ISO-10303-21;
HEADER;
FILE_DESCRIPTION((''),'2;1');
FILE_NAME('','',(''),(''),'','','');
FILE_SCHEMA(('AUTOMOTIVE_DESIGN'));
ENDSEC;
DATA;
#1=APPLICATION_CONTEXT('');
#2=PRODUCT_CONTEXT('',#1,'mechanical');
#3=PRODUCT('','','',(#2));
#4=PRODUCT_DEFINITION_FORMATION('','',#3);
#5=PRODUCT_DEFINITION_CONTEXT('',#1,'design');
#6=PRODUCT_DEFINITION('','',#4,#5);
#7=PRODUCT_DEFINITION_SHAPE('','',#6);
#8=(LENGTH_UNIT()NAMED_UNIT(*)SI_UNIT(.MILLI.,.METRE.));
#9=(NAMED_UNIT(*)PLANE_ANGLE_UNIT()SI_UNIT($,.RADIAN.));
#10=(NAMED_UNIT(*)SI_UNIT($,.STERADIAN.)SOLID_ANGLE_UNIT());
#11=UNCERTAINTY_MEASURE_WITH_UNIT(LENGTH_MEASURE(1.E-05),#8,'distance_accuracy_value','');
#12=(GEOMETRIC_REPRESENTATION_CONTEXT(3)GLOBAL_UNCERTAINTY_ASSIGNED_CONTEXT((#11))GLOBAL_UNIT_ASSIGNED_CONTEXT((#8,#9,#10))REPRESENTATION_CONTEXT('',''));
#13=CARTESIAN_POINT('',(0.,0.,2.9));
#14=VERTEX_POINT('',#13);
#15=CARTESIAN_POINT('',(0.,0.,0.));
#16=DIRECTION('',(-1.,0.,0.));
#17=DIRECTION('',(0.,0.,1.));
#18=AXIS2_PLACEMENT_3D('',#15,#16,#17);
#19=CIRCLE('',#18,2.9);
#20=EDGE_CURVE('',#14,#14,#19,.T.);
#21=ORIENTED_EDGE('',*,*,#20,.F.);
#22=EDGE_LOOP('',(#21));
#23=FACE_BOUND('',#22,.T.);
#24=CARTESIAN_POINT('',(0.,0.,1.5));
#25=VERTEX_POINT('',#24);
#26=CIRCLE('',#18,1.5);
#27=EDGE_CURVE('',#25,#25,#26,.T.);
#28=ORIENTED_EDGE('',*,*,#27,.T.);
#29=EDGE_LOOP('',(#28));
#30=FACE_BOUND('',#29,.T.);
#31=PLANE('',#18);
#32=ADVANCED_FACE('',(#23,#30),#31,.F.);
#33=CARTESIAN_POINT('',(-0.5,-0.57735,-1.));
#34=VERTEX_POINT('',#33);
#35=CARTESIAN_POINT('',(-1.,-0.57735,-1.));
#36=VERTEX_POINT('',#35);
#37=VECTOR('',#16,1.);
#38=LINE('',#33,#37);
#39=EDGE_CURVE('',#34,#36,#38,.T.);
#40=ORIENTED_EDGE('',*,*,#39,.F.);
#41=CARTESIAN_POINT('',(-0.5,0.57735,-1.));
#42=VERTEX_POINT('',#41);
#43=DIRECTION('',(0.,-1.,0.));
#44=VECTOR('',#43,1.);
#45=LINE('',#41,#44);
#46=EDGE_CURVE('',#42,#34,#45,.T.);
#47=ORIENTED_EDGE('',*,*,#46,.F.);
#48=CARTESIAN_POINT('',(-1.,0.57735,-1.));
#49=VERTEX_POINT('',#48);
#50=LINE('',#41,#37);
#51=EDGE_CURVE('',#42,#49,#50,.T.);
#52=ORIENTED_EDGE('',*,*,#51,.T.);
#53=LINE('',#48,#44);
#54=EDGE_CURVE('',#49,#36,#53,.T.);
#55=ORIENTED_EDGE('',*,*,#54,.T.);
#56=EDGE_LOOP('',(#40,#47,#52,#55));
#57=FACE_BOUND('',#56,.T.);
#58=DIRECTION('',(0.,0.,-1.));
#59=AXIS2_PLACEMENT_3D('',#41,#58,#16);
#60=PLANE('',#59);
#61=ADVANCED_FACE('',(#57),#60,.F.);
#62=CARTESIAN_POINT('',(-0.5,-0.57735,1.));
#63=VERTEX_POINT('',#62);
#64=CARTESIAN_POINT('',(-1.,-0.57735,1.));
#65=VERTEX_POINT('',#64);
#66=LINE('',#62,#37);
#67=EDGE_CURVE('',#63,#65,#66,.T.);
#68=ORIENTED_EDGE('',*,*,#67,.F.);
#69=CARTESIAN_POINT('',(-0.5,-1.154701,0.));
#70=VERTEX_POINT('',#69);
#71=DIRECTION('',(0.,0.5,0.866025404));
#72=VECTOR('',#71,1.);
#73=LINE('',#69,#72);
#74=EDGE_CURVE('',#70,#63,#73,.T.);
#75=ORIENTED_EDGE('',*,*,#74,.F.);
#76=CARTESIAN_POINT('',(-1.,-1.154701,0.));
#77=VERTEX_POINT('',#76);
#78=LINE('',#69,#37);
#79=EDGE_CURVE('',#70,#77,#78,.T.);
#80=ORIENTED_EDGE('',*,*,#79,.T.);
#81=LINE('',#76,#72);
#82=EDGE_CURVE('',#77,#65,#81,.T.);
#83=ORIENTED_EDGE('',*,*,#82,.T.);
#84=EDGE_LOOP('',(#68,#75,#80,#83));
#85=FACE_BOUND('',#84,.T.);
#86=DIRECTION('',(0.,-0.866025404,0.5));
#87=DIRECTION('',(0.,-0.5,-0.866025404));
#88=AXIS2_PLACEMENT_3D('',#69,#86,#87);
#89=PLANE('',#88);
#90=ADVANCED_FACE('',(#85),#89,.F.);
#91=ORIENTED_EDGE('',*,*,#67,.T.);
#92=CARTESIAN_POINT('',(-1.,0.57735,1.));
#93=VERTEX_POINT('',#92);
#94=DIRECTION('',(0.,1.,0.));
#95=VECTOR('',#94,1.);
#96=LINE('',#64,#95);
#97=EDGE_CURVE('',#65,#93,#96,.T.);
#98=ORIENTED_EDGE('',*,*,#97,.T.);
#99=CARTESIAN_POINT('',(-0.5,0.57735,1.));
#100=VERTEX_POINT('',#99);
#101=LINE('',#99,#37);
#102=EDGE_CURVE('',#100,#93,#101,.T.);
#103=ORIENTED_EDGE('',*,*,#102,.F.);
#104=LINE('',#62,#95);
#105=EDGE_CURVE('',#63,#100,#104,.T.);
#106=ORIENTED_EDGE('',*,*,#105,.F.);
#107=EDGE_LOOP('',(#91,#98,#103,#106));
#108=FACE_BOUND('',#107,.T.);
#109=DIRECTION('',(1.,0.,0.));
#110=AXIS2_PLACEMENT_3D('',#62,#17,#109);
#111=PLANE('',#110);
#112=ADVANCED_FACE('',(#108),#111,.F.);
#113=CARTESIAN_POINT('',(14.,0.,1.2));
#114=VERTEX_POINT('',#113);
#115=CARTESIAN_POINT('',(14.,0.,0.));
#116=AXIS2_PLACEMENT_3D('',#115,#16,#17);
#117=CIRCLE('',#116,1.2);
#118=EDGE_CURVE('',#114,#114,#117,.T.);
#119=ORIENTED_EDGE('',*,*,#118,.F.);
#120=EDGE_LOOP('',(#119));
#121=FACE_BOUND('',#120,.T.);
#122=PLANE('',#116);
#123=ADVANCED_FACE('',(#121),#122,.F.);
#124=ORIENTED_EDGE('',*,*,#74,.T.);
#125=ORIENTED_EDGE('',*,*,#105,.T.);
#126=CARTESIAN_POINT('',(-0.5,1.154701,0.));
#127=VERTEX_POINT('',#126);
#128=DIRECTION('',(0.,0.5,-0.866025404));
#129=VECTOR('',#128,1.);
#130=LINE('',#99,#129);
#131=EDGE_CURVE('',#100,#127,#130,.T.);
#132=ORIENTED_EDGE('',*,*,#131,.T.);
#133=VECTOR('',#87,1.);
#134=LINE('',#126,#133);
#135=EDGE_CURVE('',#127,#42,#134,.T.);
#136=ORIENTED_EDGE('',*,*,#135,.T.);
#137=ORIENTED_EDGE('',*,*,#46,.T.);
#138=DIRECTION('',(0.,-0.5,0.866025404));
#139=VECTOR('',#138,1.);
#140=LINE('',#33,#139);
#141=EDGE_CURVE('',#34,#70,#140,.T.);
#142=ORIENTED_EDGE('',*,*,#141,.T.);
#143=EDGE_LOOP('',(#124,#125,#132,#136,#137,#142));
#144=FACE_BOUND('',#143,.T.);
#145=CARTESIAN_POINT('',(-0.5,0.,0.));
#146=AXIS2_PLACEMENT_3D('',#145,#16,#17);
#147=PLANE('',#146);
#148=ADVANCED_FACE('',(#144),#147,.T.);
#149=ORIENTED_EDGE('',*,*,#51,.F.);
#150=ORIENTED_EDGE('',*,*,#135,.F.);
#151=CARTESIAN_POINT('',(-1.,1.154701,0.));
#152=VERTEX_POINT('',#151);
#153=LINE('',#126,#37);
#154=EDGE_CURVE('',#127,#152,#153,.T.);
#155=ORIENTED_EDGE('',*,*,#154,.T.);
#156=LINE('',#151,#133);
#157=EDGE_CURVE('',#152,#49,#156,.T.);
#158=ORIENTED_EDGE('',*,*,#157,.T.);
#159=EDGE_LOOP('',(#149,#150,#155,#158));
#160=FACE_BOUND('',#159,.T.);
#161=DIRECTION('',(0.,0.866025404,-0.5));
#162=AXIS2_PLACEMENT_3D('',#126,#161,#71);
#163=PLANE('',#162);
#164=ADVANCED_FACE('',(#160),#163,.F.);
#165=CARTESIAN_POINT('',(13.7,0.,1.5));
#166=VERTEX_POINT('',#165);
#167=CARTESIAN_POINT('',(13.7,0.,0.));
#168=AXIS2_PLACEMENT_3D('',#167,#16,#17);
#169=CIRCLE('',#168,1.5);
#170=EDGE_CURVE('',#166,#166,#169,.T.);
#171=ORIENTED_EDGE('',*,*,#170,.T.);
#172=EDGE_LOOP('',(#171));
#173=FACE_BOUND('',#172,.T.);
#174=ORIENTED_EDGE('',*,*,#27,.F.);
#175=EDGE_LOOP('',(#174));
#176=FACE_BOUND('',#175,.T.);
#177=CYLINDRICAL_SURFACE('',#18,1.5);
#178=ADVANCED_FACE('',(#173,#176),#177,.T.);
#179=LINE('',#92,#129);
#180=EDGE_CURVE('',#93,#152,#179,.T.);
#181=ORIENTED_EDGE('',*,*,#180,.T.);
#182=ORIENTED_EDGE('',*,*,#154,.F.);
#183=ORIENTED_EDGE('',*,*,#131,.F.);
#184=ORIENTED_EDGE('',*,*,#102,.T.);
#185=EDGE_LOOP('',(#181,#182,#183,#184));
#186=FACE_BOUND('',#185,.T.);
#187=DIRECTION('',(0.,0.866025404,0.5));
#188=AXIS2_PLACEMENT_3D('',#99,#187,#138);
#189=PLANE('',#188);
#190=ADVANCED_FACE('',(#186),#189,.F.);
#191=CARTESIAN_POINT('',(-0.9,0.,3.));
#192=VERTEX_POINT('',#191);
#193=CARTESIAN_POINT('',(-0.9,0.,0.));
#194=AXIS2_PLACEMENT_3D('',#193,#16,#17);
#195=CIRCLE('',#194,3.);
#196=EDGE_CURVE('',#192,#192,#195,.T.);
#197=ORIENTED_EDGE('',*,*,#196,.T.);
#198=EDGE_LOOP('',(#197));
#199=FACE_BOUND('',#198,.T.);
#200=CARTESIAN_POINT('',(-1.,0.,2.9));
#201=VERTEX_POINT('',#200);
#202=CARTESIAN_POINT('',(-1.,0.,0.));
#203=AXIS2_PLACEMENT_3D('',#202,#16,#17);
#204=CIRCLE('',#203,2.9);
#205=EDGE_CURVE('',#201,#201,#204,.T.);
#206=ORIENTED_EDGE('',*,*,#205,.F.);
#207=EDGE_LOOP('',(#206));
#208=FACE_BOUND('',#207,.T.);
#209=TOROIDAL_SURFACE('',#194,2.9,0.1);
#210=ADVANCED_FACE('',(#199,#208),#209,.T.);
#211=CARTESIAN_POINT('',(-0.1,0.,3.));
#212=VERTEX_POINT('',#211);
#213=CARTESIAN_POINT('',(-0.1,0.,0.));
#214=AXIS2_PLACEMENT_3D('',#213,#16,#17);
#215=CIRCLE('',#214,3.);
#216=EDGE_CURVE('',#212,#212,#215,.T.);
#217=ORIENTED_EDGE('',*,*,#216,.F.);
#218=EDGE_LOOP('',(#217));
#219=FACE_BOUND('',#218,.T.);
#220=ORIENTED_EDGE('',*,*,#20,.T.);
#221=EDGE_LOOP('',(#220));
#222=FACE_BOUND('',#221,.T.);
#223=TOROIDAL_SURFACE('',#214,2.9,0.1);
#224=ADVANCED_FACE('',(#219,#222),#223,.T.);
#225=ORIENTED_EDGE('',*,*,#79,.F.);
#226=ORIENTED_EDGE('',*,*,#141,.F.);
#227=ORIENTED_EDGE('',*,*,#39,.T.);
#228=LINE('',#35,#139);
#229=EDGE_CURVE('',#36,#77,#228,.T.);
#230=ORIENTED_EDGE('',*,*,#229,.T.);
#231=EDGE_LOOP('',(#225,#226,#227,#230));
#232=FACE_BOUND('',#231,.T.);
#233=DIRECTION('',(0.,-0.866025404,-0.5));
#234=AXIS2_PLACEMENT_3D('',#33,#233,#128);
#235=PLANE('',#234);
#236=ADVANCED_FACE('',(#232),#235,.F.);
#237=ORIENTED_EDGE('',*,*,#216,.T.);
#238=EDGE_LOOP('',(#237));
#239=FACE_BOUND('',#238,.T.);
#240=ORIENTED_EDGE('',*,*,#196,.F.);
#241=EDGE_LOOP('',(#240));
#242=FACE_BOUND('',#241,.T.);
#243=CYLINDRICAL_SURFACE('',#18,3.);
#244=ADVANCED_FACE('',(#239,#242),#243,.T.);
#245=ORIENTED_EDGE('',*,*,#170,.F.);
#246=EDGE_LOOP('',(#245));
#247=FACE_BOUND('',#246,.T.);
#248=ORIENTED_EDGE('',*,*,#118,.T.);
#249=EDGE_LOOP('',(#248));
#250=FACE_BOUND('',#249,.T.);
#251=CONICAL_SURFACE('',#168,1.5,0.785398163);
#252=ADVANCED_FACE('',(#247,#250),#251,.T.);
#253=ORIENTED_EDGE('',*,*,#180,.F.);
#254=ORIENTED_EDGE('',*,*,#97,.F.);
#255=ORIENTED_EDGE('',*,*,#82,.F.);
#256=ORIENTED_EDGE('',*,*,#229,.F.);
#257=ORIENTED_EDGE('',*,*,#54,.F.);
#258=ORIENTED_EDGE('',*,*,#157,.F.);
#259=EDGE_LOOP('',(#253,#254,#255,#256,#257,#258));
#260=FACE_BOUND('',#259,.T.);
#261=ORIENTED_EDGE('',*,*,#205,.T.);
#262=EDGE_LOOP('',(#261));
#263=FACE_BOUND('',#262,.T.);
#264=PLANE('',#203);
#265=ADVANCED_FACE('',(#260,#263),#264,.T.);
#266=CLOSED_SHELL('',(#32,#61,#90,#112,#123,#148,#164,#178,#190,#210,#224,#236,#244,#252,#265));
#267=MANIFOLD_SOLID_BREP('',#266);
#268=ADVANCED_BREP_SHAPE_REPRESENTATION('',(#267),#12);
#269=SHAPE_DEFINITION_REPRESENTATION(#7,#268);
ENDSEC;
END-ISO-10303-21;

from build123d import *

# Parameters (mm, degrees)
CUT_EXTRUDE_1_DEPTH = 0.5


with BuildPart() as part:
    # 草图1 → 旋转1 (revolve)
    with BuildSketch(Plane.XY, mode=Mode.PRIVATE) as revolve_1_sk:
        Polygon((14, 1.2), (13.7, 1.5), (0, 1.5), (0, 0), (14, 0), align=None)
        with BuildLine():
            Line((-0.1, 3), (-0.9, 3))
            ThreePointArc((-0.9, 3), (-0.970710678, 2.970710678), (-1, 2.9))
            Line((-1, 2.9), (-1, 0))
            Line((-1, 0), (0, 0))
            Line((0, 0), (0, 2.9))
            ThreePointArc((0, 2.9), (-0.029289322, 2.970710678), (-0.1, 3))
        make_face()
    revolve(revolve_1_sk.sketch.rotate(Axis((0, 0, 0), (1, 0, 0)), 90), axis=Axis((0, 0, 0), (1, 0, 0)))

    # 草图2 → 切除-拉伸1 (cut)
    with BuildSketch(Plane.ZY.offset(1)):
        Polygon((1, -0.577350269), (1, 0.577350269), (0, 1.154700538), (-1, 0.577350269), (-1, -0.577350269), (0, -1.154700538), align=None)
    extrude(amount=-CUT_EXTRUDE_1_DEPTH, mode=Mode.SUBTRACT)


solid = part.part
